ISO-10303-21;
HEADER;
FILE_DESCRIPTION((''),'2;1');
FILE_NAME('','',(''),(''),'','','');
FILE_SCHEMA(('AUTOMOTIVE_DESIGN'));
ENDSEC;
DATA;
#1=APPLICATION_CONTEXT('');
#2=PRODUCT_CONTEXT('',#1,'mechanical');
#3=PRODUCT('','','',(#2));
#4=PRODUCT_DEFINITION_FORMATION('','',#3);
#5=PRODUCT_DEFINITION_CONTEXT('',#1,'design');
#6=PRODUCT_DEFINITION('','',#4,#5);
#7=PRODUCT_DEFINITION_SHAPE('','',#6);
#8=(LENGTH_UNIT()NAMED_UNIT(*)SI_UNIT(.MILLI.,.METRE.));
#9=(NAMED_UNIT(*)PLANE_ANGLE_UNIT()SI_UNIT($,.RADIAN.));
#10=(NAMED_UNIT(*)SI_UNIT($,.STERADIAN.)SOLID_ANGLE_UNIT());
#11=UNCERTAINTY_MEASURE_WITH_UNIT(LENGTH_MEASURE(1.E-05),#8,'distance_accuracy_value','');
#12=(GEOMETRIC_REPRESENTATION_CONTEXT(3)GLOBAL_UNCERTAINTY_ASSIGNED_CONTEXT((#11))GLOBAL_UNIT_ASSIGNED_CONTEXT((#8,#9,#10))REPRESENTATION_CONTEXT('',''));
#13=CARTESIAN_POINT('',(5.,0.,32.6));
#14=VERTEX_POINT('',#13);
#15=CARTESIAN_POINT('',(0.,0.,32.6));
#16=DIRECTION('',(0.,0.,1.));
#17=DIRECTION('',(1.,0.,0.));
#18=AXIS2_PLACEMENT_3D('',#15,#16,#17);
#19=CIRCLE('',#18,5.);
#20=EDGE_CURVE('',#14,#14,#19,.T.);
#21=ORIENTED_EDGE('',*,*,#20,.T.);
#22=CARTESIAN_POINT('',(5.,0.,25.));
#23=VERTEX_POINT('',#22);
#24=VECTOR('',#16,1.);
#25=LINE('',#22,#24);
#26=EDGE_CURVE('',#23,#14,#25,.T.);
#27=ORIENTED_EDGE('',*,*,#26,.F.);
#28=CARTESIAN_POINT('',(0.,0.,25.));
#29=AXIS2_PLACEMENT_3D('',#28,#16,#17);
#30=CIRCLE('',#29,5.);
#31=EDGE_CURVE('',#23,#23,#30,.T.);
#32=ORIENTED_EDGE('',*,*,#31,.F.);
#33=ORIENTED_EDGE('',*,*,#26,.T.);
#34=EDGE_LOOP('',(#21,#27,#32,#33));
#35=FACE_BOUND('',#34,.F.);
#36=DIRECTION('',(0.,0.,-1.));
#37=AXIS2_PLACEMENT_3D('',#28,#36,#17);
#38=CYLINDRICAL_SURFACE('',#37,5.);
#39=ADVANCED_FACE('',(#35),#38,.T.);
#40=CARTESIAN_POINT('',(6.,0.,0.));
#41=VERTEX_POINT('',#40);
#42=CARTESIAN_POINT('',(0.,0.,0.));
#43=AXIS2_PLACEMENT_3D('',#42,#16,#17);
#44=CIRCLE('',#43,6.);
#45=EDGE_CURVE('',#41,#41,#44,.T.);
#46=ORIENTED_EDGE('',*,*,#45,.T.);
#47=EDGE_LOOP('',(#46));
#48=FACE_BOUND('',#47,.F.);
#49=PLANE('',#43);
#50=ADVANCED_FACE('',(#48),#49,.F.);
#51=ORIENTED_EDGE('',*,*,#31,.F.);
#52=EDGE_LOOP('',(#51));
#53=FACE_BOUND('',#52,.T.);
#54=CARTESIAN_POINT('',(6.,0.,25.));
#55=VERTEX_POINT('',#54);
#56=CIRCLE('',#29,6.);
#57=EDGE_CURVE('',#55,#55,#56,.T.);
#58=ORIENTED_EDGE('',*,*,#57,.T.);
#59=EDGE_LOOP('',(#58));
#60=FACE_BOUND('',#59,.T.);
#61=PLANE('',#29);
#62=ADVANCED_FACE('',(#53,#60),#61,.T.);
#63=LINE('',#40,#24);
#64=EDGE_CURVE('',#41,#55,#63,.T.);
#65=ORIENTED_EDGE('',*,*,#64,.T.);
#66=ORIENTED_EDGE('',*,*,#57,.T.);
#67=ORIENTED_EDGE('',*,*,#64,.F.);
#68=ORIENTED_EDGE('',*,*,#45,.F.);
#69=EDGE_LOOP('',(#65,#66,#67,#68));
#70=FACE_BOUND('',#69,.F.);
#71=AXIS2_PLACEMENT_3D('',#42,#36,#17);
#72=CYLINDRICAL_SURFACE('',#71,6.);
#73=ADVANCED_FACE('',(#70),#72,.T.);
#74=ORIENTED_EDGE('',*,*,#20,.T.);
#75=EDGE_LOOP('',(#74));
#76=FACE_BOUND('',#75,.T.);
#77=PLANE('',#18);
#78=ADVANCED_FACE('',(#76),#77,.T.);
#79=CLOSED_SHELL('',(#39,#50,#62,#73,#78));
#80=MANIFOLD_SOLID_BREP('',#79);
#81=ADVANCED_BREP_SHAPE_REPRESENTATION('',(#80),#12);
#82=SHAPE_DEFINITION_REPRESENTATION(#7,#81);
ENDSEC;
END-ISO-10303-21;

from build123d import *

# Parameters (mm, degrees)
SKETCH_R     = 6
PAD_DEPTH    = 25
SKETCH001_R  = 5
PAD001_DEPTH = 7.6


with BuildPart() as part:
    # Sketch → Pad (new body)
    with BuildSketch(Plane.XY):
        Circle(SKETCH_R)
    extrude(amount=PAD_DEPTH)

    # Sketch001 (on Face3 of Pad) → Pad001 (join)
    with BuildSketch(Plane.XY.offset(25)):
        Circle(SKETCH001_R)
    extrude(amount=PAD001_DEPTH)


solid = part.part
